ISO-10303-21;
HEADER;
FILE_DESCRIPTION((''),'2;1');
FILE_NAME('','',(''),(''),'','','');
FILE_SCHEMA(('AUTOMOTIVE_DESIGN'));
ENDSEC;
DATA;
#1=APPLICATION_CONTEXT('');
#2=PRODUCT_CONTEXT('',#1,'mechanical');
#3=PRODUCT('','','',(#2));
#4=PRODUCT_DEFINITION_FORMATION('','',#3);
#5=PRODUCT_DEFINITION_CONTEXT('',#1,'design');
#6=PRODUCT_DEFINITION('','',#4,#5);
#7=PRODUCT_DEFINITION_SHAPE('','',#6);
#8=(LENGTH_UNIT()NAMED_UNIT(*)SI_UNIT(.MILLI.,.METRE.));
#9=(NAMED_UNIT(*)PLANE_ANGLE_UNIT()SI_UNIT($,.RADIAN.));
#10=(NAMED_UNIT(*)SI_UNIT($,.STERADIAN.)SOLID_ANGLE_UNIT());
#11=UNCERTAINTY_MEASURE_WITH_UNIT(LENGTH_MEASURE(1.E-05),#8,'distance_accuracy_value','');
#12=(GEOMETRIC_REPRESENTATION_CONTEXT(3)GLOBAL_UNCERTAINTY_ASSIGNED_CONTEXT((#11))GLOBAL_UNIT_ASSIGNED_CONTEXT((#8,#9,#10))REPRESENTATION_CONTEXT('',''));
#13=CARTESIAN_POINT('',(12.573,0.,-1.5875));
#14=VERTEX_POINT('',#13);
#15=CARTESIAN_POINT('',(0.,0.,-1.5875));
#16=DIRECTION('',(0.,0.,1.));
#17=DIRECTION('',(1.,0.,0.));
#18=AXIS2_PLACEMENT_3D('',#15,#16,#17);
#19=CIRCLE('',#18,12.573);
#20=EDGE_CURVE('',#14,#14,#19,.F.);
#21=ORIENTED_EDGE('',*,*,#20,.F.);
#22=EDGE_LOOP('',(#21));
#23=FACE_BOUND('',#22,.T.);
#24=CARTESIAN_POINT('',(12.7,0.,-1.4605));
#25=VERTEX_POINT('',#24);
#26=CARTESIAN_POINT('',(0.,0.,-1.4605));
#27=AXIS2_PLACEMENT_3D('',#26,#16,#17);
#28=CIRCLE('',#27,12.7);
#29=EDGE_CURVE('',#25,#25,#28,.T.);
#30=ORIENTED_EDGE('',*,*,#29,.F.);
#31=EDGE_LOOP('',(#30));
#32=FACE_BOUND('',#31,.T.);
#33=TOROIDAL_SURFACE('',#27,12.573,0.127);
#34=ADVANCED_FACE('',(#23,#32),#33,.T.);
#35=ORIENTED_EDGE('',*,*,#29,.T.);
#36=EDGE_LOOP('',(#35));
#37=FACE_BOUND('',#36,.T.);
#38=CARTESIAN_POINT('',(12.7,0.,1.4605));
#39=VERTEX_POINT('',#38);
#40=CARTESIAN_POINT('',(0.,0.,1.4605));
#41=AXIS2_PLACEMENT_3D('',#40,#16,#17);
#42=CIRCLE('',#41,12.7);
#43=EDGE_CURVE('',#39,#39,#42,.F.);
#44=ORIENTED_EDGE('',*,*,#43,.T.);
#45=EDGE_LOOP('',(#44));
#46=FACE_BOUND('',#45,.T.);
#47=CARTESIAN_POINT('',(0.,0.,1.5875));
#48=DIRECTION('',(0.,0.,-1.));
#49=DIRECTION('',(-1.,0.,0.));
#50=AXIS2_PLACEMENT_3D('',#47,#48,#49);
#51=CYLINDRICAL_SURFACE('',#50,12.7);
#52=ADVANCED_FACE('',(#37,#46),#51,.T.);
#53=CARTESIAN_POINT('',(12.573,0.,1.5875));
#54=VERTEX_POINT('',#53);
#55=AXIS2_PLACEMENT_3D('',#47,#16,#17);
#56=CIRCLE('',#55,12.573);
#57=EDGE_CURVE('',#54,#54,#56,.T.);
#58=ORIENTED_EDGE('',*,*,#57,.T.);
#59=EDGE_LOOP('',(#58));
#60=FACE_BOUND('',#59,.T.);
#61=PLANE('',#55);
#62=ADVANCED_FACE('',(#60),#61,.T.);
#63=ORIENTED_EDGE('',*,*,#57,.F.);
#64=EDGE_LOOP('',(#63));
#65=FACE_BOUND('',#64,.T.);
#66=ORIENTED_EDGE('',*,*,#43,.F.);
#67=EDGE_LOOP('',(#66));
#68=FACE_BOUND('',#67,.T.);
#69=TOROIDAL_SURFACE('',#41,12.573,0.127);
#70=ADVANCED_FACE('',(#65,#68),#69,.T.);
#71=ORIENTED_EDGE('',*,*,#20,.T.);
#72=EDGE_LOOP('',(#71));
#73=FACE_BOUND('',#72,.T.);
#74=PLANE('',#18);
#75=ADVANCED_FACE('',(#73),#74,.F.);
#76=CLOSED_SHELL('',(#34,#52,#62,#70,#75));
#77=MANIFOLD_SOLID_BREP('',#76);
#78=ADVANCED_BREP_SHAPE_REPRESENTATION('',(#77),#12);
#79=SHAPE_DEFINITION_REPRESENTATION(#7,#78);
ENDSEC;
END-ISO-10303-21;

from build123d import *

# Parameters (mm, degrees)
BOSS_EXTRUDE1_DEPTH      = 1.5875
BOSS_EXTRUDE1_DEPTH_BACK = 1.5875
SKETCH3_R                = 12.7
FILLET1_R                = 0.127


with BuildPart() as part:
    # Sketch3 → Boss-Extrude1 (new, two sides: drawn at the far end of the back side and taken through both)
    with BuildSketch(Plane.XY.offset(-BOSS_EXTRUDE1_DEPTH_BACK)):
        Circle(SKETCH3_R)
    extrude(amount=BOSS_EXTRUDE1_DEPTH + BOSS_EXTRUDE1_DEPTH_BACK)

    # Fillet1
    fillet1_edges = [part.edges().sort_by_distance(p)[0] for p in [
        (-12.7, 0, -1.5875),
        (-12.7, 0, 1.5875),
    ]]
    fillet(fillet1_edges, radius=FILLET1_R)


solid = part.part
